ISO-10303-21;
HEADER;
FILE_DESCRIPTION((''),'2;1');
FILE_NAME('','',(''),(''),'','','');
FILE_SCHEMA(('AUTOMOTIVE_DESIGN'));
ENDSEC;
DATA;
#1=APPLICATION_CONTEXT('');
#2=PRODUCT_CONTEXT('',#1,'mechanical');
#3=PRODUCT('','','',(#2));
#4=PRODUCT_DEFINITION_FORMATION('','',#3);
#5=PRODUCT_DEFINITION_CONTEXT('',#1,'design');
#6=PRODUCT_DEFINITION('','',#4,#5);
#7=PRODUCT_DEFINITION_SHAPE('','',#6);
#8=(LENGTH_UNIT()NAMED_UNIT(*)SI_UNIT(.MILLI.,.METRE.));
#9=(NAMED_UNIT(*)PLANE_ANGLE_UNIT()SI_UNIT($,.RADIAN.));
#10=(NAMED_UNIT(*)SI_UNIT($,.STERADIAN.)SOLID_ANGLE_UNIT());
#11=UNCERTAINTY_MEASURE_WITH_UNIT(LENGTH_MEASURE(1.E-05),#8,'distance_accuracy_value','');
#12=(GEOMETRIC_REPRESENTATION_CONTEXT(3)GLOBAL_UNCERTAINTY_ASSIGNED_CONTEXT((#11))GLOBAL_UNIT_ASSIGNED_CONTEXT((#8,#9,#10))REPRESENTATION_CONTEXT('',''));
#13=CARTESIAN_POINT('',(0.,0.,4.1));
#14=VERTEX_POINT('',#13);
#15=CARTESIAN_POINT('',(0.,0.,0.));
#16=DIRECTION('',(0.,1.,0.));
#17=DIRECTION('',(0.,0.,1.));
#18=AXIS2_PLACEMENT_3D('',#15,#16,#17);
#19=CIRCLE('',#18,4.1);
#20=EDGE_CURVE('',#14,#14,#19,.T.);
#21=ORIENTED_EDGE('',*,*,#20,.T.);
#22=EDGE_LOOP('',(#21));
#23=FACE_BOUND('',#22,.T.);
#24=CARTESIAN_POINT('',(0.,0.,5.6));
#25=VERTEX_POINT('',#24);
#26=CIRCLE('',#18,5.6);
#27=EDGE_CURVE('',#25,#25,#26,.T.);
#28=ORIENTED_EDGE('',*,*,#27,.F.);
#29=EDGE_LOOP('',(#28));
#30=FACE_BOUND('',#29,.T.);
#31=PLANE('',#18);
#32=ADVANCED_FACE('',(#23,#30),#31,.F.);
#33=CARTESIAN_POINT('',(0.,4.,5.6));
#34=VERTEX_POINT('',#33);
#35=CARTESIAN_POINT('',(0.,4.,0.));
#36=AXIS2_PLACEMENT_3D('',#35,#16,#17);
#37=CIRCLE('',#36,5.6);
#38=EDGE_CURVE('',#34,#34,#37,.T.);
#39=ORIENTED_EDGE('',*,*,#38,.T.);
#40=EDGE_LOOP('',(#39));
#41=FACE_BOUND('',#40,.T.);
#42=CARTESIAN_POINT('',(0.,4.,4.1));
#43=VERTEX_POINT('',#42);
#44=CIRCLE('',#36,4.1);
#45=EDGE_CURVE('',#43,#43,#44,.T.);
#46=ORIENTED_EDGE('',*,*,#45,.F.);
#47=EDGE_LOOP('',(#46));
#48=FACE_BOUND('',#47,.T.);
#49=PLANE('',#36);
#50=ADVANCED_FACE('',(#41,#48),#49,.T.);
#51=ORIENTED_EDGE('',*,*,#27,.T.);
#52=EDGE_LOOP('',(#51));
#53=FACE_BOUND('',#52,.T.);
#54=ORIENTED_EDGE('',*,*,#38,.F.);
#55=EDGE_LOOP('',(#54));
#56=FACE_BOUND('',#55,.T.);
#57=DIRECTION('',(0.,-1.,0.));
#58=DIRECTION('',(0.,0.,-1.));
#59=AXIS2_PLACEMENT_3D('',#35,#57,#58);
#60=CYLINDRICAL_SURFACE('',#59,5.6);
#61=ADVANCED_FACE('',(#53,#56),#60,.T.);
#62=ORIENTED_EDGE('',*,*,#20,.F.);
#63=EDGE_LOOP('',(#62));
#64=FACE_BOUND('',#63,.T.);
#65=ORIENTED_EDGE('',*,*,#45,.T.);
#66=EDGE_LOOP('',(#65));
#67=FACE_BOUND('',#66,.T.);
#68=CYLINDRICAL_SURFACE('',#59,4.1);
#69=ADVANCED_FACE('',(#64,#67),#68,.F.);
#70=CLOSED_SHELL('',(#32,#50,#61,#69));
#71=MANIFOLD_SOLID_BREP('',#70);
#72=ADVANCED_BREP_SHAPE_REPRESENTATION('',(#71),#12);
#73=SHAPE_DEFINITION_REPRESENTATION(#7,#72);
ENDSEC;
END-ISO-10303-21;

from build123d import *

# Parameters (mm, degrees)
SKIZZE1_R                       = 5.6
SKIZZE1_R_2                     = 4.1
AUFSATZ_LINEAR_AUSTRAGEN1_DEPTH = 4


with BuildPart() as part:
    # Skizze1 → Aufsatz-Linear austragen1 (new body)
    with BuildSketch(Plane(origin=(0, 0, 0), x_dir=(1, 0, 0), z_dir=(0, 1, 0))):
        with Locations(Location((0, 0, 0), (0, 0, 270))):
            Circle(SKIZZE1_R)
        with Locations(Location((0, 0, 0), (0, 0, 270))):
            Circle(SKIZZE1_R_2, mode=Mode.SUBTRACT)
    extrude(amount=AUFSATZ_LINEAR_AUSTRAGEN1_DEPTH)


solid = part.part
